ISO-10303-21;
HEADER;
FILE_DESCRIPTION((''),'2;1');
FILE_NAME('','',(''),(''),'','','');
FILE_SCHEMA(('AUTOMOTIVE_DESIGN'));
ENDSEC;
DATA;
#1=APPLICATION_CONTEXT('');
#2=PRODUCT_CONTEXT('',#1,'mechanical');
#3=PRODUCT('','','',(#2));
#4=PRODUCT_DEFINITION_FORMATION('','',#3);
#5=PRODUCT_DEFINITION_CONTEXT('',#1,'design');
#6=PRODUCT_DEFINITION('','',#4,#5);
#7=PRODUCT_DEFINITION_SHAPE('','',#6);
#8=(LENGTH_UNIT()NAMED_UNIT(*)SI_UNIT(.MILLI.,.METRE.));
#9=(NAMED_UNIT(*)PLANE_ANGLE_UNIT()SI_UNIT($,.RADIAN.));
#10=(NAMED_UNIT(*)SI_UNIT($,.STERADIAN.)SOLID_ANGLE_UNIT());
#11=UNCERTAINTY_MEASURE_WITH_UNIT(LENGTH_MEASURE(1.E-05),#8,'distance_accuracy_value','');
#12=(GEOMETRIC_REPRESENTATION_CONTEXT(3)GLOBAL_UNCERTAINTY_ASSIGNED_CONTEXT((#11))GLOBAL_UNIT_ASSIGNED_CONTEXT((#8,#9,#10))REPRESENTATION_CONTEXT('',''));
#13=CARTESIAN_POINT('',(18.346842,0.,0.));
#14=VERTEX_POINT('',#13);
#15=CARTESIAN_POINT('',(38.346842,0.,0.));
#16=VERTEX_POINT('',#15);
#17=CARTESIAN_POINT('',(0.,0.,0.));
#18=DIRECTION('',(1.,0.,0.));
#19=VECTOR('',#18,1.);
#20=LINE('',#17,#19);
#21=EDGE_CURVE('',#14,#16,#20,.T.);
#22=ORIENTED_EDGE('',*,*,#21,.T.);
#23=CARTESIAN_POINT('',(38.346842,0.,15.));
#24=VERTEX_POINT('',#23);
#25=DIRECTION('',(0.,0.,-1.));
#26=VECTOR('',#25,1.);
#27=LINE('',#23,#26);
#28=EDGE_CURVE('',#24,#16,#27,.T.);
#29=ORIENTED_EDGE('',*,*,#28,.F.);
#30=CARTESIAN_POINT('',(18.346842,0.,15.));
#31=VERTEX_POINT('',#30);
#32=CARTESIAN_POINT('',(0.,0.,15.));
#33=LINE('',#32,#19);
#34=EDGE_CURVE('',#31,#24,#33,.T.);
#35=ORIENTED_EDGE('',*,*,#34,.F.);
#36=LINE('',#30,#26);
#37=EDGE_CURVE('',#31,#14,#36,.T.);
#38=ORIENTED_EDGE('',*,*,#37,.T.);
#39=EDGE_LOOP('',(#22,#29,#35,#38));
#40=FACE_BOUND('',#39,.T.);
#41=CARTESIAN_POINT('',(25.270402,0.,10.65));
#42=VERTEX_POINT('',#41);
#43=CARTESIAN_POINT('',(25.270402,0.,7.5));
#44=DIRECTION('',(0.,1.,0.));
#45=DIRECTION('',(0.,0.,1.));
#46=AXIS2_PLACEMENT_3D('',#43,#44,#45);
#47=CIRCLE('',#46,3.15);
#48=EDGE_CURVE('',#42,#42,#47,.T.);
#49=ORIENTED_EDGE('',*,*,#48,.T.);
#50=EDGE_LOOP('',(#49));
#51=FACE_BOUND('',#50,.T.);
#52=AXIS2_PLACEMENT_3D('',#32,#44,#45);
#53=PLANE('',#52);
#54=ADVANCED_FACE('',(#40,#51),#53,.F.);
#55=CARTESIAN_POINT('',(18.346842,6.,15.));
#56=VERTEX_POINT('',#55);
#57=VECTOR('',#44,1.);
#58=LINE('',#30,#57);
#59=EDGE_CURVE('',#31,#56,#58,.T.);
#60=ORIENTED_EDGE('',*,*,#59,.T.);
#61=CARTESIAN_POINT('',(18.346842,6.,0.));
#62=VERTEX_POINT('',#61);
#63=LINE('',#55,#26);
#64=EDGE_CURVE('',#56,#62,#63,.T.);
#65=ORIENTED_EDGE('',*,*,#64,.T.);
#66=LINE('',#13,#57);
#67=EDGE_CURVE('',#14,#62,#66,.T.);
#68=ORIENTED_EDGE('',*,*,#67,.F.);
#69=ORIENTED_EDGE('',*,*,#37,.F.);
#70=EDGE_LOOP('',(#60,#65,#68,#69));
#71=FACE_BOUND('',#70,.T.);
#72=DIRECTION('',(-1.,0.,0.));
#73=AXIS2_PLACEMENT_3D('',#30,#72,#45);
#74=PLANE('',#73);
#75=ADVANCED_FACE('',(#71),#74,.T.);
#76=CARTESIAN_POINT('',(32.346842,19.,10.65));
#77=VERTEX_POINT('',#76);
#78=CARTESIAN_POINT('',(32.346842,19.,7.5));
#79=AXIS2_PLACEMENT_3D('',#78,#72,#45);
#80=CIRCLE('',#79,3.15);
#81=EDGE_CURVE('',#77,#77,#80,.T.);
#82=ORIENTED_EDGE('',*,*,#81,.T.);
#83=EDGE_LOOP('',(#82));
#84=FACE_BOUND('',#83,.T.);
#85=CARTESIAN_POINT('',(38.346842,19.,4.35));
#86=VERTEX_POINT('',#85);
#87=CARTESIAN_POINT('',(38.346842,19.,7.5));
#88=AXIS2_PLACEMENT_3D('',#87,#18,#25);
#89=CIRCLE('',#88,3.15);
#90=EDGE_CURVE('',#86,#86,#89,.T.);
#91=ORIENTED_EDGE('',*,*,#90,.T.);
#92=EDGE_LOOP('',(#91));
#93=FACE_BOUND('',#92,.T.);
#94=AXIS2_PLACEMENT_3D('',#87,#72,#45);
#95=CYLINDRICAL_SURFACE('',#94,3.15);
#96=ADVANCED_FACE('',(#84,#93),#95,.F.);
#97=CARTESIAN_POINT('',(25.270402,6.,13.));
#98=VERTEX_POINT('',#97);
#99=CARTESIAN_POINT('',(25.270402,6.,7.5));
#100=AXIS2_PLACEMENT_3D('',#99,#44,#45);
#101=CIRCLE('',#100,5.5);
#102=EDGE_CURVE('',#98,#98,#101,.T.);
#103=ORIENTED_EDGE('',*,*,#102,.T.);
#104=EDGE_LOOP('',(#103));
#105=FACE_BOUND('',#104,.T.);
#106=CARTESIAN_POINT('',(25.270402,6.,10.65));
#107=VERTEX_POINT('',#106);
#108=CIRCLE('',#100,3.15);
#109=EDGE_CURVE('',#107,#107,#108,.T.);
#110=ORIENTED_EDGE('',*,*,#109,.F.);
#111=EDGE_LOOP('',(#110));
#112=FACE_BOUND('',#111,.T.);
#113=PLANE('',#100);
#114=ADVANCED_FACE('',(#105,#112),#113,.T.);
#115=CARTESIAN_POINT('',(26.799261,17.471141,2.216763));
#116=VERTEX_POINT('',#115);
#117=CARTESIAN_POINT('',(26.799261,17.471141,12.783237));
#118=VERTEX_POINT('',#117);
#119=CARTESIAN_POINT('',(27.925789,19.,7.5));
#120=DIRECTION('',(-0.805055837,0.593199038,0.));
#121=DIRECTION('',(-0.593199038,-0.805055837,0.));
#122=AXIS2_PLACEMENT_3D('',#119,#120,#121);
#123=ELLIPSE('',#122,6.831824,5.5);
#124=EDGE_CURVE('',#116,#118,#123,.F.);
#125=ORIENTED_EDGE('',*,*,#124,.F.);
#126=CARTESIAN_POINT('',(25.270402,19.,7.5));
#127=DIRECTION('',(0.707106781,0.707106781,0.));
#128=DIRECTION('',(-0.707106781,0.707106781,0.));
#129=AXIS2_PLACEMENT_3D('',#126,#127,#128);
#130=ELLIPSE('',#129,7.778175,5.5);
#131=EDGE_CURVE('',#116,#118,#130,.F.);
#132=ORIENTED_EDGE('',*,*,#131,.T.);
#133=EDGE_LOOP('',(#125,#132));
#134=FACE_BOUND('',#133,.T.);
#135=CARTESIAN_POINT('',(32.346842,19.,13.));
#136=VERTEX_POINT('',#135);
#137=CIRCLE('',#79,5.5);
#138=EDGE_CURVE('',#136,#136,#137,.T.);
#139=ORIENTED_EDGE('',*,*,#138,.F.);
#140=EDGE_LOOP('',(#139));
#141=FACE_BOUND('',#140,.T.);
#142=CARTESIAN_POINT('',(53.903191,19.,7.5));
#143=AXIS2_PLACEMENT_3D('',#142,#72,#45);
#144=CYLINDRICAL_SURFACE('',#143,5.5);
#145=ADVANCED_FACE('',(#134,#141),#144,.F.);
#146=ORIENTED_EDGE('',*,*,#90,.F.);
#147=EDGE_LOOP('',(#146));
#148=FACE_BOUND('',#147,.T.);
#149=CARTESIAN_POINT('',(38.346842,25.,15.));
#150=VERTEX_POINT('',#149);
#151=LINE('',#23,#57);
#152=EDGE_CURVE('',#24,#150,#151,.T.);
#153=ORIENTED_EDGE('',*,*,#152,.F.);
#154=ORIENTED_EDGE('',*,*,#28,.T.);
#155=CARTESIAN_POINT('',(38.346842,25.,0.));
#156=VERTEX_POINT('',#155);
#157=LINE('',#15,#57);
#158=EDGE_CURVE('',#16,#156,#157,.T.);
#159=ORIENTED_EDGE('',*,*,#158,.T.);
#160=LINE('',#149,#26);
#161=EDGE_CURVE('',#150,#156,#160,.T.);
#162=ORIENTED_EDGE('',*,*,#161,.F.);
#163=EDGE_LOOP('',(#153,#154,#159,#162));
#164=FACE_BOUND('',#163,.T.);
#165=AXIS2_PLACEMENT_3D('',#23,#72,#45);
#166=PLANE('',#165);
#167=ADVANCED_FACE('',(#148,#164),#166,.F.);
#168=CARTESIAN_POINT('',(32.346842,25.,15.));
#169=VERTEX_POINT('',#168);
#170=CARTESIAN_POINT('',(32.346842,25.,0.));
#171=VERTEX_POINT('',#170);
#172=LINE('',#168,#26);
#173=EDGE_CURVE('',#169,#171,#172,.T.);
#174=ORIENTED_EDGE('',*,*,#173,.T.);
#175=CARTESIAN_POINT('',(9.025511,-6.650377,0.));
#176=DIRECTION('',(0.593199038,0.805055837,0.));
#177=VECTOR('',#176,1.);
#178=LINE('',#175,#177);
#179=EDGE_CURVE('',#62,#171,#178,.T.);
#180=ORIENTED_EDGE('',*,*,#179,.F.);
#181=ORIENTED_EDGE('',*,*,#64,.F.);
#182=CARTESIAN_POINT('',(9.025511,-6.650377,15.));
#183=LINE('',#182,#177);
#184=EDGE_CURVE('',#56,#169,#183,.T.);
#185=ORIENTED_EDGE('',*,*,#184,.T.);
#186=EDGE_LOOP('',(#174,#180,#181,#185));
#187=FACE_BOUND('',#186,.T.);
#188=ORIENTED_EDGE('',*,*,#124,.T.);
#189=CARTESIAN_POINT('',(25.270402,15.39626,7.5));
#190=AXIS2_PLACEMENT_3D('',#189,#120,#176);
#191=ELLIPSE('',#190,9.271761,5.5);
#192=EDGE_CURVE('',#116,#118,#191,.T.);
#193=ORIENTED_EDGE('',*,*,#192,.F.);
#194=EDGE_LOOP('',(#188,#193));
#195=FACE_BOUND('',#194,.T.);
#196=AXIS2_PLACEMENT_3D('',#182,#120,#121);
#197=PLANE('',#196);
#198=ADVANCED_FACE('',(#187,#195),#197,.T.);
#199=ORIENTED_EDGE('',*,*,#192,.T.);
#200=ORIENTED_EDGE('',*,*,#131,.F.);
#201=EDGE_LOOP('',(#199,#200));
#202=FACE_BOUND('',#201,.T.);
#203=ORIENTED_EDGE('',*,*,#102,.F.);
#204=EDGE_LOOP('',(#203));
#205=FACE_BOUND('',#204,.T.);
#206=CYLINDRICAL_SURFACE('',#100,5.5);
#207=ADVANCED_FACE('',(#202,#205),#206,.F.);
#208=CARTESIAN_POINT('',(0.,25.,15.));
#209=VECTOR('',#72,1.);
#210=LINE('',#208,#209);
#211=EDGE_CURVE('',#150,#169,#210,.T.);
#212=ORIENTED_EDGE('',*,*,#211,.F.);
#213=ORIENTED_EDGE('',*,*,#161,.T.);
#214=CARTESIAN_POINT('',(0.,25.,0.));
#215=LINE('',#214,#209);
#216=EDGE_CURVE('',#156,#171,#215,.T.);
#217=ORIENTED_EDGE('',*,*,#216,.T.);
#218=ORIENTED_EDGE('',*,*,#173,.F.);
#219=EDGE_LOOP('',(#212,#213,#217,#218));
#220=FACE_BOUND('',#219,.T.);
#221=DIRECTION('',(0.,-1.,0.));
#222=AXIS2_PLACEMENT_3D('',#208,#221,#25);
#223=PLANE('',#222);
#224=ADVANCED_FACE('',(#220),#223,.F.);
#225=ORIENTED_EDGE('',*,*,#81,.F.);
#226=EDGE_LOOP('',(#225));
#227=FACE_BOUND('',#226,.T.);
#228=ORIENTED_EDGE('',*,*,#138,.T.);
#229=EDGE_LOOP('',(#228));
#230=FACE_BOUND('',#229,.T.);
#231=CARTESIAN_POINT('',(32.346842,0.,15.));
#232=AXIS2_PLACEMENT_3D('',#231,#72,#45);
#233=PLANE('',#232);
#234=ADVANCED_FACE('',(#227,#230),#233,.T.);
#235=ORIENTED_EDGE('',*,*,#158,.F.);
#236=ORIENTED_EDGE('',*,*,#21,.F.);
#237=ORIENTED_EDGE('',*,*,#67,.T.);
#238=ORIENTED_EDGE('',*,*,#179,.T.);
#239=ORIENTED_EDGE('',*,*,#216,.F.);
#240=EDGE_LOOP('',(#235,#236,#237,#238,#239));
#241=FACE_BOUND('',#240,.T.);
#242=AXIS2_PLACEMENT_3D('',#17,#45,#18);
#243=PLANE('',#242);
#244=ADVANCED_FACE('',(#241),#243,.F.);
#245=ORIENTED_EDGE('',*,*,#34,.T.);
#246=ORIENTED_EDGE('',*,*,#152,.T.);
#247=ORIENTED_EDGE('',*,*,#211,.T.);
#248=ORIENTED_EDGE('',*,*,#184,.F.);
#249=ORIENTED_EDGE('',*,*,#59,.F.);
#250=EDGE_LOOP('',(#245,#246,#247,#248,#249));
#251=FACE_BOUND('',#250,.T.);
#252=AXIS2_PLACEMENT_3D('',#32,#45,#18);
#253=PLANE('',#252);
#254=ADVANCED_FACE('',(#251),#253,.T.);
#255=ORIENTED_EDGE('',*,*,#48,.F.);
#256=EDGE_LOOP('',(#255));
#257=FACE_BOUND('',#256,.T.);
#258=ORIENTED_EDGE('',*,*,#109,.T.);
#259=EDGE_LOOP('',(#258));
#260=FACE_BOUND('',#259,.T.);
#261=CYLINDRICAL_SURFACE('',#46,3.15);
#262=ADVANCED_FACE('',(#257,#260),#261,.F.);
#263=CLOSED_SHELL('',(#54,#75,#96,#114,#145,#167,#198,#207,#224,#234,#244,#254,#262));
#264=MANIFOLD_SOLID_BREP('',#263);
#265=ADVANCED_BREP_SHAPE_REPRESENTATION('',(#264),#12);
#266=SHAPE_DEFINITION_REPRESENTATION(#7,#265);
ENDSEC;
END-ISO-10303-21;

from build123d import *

# Parameters (mm, degrees)
BOSS_EXTRUDE2_DEPTH = 15
SKETCH4_R           = 3.15
CUT_EXTRUDE1_DEPTH  = 46.776415929
SKETCH4_3_R         = 5.5
SKETCH4_3_R_2       = 3.15
CUT_EXTRUDE2_DEPTH  = 14
SKETCH6_R           = 3.15
CUT_EXTRUDE3_DEPTH  = 49.171363436
SKETCH6_3_R         = 5.5
SKETCH6_3_R_2       = 3.15
CUT_EXTRUDE4_DEPTH  = 32.34684153


with BuildPart() as part:
    # Sketch3 → Boss-Extrude2 (new body)
    with BuildSketch(Plane.XY):
        Polygon((18.34684153, 0), (38.34684153, 0), (38.34684153, 25), (32.34684153, 25), (18.34684153, 6), align=None)
    extrude(amount=BOSS_EXTRUDE2_DEPTH)

    # Sketch4 → Cut-Extrude1 (cut, through all)
    with BuildSketch(Plane(origin=(0, 20, 0), x_dir=(1, 0, 0), z_dir=(0, 1, 0))):
        with Locations(Location((25.27040153, -7.5, 0), (0, 0, 270))):
            Circle(SKETCH4_R)
    extrude(amount=-CUT_EXTRUDE1_DEPTH, mode=Mode.SUBTRACT)

    # Sketch4<3> → Cut-Extrude2 (cut)
    with BuildSketch(Plane(origin=(0, 20, 0), x_dir=(1, 0, 0), z_dir=(0, 1, 0))):
        with Locations(Location((25.27040153, -7.5, 0), (0, 0, 270))):
            Circle(SKETCH4_3_R)
        with Locations(Location((25.27040153, -7.5, 0), (0, 0, 270))):
            Circle(SKETCH4_3_R_2, mode=Mode.SUBTRACT)
    extrude(amount=-CUT_EXTRUDE2_DEPTH, mode=Mode.SUBTRACT)

    # Sketch6 → Cut-Extrude3 (cut, through all)
    with BuildSketch(Plane(origin=(0, 0, 0), x_dir=(0, 0, -1), z_dir=(1, 0, 0))):
        with Locations(Location((-7.5, 19, 0), (0, 0, 161.490595018))):
            Circle(SKETCH6_R)
    extrude(amount=CUT_EXTRUDE3_DEPTH, mode=Mode.SUBTRACT)

    # Sketch6<3> → Cut-Extrude4 (cut)
    with BuildSketch(Plane(origin=(0, 0, 0), x_dir=(0, 0, -1), z_dir=(1, 0, 0))):
        with Locations(Location((-7.5, 19, 0), (0, 0, 180))):
            Circle(SKETCH6_3_R)
        with Locations(Location((-7.5, 19, 0), (0, 0, 180))):
            Circle(SKETCH6_3_R_2, mode=Mode.SUBTRACT)
    extrude(amount=CUT_EXTRUDE4_DEPTH, mode=Mode.SUBTRACT)


solid = part.part
